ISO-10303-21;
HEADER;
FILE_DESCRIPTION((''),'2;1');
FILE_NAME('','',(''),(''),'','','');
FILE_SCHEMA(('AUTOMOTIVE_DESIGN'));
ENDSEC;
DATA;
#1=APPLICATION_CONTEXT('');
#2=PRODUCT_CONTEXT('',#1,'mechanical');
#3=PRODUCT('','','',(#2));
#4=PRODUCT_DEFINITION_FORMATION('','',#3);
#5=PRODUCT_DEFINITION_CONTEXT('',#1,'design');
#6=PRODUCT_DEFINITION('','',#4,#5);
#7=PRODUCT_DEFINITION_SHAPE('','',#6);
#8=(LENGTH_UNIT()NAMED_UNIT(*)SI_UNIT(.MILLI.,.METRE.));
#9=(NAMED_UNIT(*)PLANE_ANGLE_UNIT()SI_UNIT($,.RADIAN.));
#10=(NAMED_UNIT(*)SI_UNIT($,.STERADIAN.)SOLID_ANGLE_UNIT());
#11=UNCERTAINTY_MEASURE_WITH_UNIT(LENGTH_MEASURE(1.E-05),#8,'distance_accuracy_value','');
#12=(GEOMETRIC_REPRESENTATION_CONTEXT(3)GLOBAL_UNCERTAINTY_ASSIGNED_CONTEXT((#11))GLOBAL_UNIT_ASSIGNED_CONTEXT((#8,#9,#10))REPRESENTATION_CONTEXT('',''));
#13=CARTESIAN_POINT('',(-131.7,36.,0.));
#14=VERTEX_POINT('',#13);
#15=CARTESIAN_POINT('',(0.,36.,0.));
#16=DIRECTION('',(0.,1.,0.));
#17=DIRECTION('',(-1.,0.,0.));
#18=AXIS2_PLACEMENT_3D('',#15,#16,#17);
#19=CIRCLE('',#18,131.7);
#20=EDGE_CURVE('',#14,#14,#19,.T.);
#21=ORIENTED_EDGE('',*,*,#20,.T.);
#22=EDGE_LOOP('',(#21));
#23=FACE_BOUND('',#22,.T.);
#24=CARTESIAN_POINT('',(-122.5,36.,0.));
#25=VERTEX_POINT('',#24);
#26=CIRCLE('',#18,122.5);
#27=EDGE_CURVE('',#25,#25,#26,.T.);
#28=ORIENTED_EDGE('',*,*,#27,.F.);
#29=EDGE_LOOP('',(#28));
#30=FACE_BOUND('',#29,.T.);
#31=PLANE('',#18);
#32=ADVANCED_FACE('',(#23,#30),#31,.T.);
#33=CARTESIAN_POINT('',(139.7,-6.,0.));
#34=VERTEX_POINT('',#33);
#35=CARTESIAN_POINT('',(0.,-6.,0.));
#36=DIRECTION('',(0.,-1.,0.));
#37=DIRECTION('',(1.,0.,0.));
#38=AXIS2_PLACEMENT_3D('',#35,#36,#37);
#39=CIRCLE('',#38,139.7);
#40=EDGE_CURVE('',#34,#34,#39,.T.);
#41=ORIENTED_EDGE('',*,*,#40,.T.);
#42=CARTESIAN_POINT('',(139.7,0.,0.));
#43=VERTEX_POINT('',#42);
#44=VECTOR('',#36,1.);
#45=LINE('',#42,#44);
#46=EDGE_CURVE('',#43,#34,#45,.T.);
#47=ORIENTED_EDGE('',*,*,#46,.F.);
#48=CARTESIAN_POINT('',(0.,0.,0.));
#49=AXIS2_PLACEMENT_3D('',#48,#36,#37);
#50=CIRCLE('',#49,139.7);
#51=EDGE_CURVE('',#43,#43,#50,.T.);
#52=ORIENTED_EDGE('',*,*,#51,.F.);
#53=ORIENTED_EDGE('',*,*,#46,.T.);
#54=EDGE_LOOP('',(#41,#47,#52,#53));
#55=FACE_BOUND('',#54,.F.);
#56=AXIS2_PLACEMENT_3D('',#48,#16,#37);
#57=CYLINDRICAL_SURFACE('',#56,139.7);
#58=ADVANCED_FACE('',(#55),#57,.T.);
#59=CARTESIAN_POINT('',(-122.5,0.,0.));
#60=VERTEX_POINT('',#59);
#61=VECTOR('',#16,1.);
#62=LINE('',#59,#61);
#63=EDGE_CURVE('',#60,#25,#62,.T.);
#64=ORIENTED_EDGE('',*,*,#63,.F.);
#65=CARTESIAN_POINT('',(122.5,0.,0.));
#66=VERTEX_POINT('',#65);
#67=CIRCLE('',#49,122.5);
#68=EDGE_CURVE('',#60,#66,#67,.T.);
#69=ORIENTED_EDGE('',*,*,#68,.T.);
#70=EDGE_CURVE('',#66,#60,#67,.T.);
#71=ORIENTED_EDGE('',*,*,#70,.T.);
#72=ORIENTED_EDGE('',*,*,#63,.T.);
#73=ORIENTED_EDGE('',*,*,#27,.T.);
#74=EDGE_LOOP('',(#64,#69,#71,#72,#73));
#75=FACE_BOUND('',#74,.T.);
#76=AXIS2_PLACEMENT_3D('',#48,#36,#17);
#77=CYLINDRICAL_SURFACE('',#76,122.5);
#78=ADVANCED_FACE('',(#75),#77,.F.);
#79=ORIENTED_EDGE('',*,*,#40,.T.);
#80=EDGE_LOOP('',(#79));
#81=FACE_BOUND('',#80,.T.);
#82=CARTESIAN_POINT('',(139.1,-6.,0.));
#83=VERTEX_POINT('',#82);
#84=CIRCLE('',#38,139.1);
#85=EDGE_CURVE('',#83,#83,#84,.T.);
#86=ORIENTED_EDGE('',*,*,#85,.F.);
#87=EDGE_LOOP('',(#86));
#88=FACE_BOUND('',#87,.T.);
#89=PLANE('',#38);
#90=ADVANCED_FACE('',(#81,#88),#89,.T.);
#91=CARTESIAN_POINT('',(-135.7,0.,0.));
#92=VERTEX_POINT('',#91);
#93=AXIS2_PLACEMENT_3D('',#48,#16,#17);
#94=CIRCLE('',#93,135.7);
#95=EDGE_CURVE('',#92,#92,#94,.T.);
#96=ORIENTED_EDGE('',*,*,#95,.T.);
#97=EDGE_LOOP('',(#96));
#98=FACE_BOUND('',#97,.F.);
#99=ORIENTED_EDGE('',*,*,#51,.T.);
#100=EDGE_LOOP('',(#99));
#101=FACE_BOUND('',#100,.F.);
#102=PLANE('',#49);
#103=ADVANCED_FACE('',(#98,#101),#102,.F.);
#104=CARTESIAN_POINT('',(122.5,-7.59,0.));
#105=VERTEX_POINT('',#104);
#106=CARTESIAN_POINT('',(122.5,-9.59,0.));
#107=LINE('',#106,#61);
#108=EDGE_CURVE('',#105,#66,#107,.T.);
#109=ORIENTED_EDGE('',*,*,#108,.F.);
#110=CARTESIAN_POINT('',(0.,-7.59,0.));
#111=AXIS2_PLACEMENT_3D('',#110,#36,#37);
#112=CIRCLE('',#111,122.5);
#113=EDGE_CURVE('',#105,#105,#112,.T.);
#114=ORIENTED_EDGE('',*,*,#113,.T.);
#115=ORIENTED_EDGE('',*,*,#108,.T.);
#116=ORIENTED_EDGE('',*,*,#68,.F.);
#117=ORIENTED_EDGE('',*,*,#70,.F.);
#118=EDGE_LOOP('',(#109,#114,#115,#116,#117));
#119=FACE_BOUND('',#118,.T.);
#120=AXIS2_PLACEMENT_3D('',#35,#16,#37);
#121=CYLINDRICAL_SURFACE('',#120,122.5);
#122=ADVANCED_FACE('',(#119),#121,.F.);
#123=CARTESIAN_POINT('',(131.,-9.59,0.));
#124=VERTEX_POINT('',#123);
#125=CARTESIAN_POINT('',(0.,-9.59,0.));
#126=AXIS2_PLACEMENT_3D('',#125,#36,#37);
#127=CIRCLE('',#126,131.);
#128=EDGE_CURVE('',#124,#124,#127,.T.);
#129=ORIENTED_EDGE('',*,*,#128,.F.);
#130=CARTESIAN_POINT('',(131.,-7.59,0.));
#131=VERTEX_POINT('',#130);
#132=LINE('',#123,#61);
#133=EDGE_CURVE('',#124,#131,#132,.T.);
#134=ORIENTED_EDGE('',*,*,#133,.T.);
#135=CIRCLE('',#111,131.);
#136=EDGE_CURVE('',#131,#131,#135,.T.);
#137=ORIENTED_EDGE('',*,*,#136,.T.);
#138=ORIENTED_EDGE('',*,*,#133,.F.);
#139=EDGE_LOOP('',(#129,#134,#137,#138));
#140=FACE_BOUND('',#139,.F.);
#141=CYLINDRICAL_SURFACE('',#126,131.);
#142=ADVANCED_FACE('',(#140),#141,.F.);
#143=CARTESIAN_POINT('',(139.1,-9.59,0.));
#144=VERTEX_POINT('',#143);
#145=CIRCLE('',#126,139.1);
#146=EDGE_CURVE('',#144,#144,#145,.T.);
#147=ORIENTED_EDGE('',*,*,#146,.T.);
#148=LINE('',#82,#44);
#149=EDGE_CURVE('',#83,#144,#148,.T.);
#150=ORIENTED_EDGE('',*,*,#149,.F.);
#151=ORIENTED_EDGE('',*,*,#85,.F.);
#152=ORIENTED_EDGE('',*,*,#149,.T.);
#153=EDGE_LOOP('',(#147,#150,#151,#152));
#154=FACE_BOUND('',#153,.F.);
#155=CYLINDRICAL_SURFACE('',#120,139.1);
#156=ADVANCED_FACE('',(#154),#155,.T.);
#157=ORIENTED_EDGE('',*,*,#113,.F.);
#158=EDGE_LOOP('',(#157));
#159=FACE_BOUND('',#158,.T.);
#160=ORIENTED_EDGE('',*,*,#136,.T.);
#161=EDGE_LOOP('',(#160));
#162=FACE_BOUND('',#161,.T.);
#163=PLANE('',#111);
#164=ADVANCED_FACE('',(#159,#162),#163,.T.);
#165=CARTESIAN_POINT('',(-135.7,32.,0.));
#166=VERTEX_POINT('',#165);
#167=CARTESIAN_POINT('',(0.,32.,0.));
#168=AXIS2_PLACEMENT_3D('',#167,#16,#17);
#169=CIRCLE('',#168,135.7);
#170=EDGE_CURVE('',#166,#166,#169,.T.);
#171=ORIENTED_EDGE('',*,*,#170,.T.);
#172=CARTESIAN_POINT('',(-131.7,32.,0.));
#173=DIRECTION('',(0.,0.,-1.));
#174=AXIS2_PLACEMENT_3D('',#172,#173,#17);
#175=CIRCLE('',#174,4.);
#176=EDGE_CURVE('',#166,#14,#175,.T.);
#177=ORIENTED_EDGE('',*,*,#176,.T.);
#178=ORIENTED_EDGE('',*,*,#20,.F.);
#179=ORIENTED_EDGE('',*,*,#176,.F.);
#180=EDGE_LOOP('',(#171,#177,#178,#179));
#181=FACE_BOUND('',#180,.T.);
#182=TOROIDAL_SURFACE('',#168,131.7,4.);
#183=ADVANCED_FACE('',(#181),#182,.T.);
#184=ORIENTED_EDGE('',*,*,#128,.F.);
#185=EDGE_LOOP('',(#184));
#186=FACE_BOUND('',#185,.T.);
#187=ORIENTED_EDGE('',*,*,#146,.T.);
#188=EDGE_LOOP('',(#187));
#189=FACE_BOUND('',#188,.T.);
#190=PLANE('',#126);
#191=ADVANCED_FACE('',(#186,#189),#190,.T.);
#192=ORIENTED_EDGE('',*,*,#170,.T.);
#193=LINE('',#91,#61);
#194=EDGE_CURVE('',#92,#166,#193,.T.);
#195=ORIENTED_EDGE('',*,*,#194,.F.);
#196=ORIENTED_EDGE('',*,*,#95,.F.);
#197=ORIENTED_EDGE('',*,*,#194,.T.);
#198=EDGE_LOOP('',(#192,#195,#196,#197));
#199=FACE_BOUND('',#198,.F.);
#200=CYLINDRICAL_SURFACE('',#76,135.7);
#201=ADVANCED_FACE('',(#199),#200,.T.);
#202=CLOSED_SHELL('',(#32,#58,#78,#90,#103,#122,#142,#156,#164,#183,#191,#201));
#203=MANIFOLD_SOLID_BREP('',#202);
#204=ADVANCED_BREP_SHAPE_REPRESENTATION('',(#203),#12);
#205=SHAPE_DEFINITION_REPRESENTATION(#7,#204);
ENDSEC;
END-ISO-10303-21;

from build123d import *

# Parameters (mm, degrees)
F0_R     = 139.7
F0_R_2   = 122.5
F1_DEPTH = 6
F2_R     = 139.1
F2_R_2   = 122.5
F3_DEPTH = 3.59
F4_R     = 135.7
F4_R_2   = 122.5
F5_DEPTH = 36
F6_R     = 131
F6_R_2   = 122.5
F7_DEPTH = 2
F8_R     = 4


with BuildPart() as f1:
    # F0 (on Front) → F1 (new body)
    with BuildSketch(Plane.XZ):
        Circle(F0_R)
        Circle(F0_R_2, mode=Mode.SUBTRACT)
    extrude(amount=F1_DEPTH)

    # F2 (on face) → F3 (join)
    with BuildSketch(Plane.XZ.offset(6)):
        Circle(F2_R)
        Circle(F2_R_2, mode=Mode.SUBTRACT)
    extrude(amount=F3_DEPTH)

    # F4 (on face) → F5 (join)
    with BuildSketch(Plane(origin=(0, 0, 0), x_dir=(-1, 0, 0), z_dir=(0, 1, 0))):
        Circle(F4_R)
        Circle(F4_R_2, mode=Mode.SUBTRACT)
    extrude(amount=F5_DEPTH)

    # F6 (on face) → F7 (cut)
    with BuildSketch(Plane.XZ.offset(9.59)):
        Circle(F6_R)
        Circle(F6_R_2, mode=Mode.SUBTRACT)
    extrude(amount=-F7_DEPTH, mode=Mode.SUBTRACT)

    # F8
    f8_edges = [f1.edges().sort_by_distance(p)[0] for p in [
        (135.7, 36, 0),
    ]]
    fillet(f8_edges, radius=F8_R)


solid = f1.part
